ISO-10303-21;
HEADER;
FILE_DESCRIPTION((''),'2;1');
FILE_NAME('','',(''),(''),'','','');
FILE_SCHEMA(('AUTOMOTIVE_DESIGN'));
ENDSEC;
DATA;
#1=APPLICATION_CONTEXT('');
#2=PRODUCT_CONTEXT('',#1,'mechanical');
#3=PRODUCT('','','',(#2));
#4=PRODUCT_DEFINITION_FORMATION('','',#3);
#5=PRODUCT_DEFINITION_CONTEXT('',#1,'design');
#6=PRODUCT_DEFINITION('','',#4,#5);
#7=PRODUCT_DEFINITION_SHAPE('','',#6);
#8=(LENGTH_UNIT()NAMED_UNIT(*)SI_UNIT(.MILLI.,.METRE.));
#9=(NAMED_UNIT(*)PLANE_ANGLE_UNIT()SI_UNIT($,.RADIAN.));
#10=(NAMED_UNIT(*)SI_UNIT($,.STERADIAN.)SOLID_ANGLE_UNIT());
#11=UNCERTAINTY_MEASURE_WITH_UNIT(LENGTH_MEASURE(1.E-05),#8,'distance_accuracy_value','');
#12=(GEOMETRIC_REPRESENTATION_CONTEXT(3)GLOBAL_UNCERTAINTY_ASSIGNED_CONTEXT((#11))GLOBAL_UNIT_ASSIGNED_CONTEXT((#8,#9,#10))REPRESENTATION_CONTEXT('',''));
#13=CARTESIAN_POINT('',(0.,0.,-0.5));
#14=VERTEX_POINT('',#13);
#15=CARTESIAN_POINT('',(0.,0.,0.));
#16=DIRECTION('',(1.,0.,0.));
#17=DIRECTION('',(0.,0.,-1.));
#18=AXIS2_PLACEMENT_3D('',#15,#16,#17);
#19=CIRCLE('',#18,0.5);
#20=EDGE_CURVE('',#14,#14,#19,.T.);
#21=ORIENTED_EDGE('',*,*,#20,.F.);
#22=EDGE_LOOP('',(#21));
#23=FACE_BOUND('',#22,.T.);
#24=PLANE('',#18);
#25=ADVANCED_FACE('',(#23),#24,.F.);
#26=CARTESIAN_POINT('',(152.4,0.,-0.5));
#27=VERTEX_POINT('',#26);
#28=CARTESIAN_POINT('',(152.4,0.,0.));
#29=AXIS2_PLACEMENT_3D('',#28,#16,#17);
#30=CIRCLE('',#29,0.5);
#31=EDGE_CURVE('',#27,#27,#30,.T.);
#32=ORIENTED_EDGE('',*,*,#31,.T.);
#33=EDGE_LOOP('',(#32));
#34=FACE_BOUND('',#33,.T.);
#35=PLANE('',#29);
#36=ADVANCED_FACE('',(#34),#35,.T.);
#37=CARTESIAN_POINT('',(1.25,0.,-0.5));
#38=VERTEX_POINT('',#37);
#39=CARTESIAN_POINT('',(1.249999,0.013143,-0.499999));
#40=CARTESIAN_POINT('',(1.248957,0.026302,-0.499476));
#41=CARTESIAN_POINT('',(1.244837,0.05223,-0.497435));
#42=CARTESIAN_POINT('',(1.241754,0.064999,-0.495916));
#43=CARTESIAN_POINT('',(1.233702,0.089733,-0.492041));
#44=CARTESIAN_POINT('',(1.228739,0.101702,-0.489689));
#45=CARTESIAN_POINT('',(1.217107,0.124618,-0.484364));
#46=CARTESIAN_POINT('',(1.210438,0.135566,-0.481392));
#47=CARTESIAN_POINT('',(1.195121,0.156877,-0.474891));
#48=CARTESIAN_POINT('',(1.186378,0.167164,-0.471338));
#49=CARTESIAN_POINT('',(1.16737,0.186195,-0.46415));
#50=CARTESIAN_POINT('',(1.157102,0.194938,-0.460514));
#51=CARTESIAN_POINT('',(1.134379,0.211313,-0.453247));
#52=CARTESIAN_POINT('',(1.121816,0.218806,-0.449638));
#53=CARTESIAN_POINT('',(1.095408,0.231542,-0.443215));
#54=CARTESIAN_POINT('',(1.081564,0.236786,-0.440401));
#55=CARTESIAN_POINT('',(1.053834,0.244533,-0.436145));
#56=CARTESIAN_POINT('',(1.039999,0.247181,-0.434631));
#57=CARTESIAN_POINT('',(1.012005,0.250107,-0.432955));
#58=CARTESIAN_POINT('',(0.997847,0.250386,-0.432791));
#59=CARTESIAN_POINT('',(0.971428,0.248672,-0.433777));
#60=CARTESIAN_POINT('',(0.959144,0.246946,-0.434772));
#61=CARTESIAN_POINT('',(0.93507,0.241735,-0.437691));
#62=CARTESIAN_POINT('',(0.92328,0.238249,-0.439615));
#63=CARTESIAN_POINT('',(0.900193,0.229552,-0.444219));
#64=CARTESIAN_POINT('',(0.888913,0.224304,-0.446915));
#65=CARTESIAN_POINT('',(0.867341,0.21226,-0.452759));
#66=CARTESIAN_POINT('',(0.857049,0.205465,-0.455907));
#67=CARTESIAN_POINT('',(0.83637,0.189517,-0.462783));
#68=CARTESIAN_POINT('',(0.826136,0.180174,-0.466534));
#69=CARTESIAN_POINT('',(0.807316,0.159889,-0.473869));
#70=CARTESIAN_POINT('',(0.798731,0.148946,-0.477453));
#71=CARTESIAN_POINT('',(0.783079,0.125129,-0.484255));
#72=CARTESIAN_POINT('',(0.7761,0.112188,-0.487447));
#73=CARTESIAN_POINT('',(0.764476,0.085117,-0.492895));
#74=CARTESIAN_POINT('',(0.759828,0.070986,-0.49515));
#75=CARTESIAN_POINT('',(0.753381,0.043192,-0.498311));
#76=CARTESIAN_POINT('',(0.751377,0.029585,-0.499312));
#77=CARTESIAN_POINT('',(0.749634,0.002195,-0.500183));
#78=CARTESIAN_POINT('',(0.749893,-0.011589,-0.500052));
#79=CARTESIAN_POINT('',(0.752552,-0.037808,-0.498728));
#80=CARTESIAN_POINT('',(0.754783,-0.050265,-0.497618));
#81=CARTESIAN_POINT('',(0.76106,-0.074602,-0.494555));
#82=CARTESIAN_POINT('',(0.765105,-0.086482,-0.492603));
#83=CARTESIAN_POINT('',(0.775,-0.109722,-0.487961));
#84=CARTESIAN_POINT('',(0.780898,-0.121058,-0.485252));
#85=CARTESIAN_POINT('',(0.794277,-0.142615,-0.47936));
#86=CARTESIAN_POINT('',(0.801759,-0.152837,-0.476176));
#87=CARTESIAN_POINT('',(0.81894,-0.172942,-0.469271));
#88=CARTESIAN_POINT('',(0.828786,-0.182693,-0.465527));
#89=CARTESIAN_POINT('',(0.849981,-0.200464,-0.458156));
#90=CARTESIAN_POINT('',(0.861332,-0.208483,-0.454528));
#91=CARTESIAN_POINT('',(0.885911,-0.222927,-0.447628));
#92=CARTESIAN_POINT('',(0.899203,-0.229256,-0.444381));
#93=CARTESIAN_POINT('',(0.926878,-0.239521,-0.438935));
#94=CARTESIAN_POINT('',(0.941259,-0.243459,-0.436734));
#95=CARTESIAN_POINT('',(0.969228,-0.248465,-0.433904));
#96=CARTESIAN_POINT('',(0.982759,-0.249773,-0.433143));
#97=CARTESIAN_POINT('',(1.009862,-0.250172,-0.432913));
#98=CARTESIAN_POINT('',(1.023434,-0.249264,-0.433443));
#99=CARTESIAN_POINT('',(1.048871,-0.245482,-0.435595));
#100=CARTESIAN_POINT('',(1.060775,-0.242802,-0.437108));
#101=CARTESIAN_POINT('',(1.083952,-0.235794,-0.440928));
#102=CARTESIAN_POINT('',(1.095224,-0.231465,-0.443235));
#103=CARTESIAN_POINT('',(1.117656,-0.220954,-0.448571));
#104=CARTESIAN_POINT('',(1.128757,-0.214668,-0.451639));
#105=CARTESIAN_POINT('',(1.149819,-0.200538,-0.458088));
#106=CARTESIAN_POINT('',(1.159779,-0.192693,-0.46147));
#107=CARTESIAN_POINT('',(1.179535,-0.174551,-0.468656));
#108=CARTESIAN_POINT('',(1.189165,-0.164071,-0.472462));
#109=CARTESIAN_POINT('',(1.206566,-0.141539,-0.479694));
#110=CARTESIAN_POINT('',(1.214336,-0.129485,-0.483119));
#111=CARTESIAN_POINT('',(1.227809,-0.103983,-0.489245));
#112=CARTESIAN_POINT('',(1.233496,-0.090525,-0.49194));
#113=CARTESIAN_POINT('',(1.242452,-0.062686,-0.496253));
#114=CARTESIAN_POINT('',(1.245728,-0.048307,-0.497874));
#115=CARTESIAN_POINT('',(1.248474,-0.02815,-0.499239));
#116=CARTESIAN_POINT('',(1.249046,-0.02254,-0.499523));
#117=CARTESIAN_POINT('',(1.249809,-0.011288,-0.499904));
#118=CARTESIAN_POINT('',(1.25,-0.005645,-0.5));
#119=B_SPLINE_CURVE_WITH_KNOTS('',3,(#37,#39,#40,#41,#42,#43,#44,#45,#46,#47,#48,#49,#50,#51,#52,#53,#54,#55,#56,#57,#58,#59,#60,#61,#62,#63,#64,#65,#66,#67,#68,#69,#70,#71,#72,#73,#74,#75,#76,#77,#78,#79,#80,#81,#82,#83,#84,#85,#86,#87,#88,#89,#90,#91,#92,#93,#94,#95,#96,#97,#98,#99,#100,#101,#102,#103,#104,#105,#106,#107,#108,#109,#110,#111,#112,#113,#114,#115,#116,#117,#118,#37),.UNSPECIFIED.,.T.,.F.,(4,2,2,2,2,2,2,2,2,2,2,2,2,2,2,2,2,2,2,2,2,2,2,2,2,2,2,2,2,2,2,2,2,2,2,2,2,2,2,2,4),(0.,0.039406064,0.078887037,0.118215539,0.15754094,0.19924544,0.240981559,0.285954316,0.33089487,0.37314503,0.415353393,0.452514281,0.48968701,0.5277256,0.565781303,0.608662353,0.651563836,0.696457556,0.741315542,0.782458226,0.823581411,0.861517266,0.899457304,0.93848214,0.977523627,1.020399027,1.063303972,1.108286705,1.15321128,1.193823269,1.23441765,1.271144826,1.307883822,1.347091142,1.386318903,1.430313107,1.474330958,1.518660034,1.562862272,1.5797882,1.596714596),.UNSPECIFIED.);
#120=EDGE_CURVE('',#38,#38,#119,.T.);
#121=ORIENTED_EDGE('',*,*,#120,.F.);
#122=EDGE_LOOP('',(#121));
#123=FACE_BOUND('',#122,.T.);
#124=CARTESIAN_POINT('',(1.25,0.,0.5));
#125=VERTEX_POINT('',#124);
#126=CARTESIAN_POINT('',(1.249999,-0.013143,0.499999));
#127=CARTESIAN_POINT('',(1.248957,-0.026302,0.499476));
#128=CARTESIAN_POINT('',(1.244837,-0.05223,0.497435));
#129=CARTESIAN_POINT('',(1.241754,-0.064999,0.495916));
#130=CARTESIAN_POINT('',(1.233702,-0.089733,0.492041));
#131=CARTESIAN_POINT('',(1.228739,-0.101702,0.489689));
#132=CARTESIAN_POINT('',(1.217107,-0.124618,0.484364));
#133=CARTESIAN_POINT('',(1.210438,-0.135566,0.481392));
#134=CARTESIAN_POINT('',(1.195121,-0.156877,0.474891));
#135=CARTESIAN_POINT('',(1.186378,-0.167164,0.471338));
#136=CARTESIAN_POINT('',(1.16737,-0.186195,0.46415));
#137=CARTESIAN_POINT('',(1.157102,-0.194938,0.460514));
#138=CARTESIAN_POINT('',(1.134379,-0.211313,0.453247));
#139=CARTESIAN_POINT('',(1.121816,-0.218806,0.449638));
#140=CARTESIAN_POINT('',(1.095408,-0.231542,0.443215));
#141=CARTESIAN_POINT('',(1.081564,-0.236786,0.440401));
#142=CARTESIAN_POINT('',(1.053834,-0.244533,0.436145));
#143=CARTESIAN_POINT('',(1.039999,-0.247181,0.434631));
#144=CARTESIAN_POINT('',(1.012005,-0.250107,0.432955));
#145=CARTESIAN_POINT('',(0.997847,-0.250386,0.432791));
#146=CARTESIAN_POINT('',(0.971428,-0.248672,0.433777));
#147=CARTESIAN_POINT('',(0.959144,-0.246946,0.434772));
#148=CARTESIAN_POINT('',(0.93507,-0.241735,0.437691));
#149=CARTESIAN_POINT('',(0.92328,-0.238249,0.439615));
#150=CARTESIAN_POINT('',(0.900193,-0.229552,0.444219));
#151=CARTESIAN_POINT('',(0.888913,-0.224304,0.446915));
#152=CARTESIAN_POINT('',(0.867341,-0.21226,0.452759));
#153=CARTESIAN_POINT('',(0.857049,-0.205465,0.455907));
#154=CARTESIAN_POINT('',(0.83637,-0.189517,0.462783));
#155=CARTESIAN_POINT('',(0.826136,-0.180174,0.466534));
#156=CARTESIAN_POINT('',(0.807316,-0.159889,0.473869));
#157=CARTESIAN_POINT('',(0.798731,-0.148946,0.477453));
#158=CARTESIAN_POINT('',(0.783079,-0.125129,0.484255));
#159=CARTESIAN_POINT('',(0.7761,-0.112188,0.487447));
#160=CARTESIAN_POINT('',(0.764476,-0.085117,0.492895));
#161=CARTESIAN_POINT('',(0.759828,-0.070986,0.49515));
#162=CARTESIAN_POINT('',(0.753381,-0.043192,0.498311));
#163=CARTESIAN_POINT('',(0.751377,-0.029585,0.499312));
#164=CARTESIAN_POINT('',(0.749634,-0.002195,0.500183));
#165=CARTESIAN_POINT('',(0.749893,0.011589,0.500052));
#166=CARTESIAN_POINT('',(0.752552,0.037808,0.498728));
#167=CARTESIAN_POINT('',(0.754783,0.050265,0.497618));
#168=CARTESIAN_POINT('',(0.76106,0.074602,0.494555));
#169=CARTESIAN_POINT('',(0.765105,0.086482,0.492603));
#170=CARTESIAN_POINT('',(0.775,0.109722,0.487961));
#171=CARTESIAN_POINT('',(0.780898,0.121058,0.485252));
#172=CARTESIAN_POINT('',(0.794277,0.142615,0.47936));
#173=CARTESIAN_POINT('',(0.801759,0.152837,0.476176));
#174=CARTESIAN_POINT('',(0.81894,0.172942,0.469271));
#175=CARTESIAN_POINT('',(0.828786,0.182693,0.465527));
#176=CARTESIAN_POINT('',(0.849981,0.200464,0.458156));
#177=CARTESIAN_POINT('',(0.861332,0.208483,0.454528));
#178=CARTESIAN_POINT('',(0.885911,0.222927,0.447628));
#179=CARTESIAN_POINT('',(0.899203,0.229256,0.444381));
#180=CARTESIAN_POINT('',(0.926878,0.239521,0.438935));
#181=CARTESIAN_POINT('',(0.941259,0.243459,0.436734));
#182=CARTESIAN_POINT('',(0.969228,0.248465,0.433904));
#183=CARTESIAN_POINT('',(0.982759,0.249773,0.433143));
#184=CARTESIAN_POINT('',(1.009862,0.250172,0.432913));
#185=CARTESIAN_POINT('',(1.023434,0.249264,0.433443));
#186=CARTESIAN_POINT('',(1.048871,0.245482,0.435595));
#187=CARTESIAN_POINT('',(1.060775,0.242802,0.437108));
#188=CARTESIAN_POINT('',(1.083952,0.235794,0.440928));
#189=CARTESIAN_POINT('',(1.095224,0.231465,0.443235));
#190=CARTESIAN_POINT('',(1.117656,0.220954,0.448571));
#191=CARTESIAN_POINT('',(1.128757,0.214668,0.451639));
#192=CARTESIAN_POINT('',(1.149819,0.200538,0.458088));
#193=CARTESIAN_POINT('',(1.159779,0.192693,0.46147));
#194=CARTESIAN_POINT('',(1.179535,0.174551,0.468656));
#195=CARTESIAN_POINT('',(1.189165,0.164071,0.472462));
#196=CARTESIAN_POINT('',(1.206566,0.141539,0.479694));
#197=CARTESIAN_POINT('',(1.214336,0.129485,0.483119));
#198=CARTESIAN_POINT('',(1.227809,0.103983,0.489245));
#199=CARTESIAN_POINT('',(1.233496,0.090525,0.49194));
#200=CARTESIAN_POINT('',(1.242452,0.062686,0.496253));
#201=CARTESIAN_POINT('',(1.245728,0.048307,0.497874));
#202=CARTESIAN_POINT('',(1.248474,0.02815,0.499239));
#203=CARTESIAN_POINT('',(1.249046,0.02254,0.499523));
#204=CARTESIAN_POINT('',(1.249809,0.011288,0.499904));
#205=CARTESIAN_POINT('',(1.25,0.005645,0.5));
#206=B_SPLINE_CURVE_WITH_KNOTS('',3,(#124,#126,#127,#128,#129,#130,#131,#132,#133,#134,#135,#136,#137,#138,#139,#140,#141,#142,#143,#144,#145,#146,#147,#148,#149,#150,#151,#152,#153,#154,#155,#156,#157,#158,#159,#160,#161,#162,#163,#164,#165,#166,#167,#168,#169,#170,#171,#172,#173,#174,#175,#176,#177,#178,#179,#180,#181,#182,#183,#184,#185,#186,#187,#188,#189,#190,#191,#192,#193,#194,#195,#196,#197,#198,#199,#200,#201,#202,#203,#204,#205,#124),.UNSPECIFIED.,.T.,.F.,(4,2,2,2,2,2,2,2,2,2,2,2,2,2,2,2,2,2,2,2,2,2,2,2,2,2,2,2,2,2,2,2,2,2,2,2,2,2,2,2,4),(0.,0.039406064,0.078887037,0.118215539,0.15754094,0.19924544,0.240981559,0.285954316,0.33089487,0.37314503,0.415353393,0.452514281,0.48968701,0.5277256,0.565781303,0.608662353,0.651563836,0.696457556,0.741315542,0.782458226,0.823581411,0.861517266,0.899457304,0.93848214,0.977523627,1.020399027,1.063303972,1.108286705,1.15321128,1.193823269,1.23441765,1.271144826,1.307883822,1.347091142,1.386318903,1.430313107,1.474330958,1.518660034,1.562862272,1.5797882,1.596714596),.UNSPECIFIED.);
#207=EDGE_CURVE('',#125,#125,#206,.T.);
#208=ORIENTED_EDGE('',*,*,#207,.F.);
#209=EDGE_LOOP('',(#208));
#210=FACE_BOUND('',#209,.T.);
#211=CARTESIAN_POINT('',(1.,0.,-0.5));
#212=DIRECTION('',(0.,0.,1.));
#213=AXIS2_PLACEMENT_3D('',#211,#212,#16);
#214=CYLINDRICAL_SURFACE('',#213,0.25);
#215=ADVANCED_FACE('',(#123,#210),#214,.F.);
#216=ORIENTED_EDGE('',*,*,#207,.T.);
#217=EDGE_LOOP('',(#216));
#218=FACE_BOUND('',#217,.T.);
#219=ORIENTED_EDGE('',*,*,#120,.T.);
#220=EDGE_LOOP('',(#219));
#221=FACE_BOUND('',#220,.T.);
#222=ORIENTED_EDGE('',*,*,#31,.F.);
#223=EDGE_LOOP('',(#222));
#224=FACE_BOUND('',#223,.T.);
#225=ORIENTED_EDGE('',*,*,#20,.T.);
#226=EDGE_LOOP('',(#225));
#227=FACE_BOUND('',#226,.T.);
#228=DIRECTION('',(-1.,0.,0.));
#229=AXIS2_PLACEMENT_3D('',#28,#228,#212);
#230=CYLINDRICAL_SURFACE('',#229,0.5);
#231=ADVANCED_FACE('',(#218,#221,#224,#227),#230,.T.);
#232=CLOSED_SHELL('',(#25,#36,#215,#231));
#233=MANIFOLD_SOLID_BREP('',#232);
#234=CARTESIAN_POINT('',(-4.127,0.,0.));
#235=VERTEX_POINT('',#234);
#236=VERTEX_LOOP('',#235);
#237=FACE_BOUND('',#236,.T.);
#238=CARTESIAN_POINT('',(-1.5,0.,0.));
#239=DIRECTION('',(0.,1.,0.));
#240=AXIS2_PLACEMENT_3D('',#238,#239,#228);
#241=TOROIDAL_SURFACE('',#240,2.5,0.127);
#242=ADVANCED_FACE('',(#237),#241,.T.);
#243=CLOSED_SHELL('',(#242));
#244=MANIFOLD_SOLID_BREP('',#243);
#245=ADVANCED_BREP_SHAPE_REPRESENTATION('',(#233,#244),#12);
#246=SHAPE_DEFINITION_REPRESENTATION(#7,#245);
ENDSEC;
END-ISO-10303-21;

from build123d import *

# Parameters (mm, degrees)
SKETCH1_R               = 0.5
BOSS_EXTRUDE1_DEPTH     = 152.4
CUT_EXTRUDE1_DEPTH      = 153.401640411
CUT_EXTRUDE1_DEPTH_BACK = 153.401640411
SKETCH2_R               = 0.25
SKETCH7_R               = 0.127


with BuildPart() as part:
    # Sketch1 → Boss-Extrude1 (new body)
    with BuildSketch(Plane(origin=(0, 0, 0), x_dir=(0, 0, -1), z_dir=(1, 0, 0))):
        Circle(SKETCH1_R)
    extrude(amount=BOSS_EXTRUDE1_DEPTH)

    # Sketch2 → Cut-Extrude1 (cut, two sides: drawn at the far end of the back side and taken through both)
    with BuildSketch(Plane.XY.offset(-CUT_EXTRUDE1_DEPTH_BACK)):
        with Locations((1, 0)):
            Circle(SKETCH2_R)
    extrude(amount=CUT_EXTRUDE1_DEPTH + CUT_EXTRUDE1_DEPTH_BACK, mode=Mode.SUBTRACT)


with BuildPart() as body_2:
    # Sketch7 → Revolve7 (revolve)
    with BuildSketch(Plane.XY, mode=Mode.PRIVATE) as revolve7_sk:
        with Locations((1, 0)):
            Circle(SKETCH7_R)
    revolve(revolve7_sk.sketch.rotate(Axis((-1.5, 0.693957826, 0), (0, -1, 0)), 180), axis=Axis((-1.5, 0.693957826, 0), (0, -1, 0)))


solid = Compound([part.part, body_2.part])
